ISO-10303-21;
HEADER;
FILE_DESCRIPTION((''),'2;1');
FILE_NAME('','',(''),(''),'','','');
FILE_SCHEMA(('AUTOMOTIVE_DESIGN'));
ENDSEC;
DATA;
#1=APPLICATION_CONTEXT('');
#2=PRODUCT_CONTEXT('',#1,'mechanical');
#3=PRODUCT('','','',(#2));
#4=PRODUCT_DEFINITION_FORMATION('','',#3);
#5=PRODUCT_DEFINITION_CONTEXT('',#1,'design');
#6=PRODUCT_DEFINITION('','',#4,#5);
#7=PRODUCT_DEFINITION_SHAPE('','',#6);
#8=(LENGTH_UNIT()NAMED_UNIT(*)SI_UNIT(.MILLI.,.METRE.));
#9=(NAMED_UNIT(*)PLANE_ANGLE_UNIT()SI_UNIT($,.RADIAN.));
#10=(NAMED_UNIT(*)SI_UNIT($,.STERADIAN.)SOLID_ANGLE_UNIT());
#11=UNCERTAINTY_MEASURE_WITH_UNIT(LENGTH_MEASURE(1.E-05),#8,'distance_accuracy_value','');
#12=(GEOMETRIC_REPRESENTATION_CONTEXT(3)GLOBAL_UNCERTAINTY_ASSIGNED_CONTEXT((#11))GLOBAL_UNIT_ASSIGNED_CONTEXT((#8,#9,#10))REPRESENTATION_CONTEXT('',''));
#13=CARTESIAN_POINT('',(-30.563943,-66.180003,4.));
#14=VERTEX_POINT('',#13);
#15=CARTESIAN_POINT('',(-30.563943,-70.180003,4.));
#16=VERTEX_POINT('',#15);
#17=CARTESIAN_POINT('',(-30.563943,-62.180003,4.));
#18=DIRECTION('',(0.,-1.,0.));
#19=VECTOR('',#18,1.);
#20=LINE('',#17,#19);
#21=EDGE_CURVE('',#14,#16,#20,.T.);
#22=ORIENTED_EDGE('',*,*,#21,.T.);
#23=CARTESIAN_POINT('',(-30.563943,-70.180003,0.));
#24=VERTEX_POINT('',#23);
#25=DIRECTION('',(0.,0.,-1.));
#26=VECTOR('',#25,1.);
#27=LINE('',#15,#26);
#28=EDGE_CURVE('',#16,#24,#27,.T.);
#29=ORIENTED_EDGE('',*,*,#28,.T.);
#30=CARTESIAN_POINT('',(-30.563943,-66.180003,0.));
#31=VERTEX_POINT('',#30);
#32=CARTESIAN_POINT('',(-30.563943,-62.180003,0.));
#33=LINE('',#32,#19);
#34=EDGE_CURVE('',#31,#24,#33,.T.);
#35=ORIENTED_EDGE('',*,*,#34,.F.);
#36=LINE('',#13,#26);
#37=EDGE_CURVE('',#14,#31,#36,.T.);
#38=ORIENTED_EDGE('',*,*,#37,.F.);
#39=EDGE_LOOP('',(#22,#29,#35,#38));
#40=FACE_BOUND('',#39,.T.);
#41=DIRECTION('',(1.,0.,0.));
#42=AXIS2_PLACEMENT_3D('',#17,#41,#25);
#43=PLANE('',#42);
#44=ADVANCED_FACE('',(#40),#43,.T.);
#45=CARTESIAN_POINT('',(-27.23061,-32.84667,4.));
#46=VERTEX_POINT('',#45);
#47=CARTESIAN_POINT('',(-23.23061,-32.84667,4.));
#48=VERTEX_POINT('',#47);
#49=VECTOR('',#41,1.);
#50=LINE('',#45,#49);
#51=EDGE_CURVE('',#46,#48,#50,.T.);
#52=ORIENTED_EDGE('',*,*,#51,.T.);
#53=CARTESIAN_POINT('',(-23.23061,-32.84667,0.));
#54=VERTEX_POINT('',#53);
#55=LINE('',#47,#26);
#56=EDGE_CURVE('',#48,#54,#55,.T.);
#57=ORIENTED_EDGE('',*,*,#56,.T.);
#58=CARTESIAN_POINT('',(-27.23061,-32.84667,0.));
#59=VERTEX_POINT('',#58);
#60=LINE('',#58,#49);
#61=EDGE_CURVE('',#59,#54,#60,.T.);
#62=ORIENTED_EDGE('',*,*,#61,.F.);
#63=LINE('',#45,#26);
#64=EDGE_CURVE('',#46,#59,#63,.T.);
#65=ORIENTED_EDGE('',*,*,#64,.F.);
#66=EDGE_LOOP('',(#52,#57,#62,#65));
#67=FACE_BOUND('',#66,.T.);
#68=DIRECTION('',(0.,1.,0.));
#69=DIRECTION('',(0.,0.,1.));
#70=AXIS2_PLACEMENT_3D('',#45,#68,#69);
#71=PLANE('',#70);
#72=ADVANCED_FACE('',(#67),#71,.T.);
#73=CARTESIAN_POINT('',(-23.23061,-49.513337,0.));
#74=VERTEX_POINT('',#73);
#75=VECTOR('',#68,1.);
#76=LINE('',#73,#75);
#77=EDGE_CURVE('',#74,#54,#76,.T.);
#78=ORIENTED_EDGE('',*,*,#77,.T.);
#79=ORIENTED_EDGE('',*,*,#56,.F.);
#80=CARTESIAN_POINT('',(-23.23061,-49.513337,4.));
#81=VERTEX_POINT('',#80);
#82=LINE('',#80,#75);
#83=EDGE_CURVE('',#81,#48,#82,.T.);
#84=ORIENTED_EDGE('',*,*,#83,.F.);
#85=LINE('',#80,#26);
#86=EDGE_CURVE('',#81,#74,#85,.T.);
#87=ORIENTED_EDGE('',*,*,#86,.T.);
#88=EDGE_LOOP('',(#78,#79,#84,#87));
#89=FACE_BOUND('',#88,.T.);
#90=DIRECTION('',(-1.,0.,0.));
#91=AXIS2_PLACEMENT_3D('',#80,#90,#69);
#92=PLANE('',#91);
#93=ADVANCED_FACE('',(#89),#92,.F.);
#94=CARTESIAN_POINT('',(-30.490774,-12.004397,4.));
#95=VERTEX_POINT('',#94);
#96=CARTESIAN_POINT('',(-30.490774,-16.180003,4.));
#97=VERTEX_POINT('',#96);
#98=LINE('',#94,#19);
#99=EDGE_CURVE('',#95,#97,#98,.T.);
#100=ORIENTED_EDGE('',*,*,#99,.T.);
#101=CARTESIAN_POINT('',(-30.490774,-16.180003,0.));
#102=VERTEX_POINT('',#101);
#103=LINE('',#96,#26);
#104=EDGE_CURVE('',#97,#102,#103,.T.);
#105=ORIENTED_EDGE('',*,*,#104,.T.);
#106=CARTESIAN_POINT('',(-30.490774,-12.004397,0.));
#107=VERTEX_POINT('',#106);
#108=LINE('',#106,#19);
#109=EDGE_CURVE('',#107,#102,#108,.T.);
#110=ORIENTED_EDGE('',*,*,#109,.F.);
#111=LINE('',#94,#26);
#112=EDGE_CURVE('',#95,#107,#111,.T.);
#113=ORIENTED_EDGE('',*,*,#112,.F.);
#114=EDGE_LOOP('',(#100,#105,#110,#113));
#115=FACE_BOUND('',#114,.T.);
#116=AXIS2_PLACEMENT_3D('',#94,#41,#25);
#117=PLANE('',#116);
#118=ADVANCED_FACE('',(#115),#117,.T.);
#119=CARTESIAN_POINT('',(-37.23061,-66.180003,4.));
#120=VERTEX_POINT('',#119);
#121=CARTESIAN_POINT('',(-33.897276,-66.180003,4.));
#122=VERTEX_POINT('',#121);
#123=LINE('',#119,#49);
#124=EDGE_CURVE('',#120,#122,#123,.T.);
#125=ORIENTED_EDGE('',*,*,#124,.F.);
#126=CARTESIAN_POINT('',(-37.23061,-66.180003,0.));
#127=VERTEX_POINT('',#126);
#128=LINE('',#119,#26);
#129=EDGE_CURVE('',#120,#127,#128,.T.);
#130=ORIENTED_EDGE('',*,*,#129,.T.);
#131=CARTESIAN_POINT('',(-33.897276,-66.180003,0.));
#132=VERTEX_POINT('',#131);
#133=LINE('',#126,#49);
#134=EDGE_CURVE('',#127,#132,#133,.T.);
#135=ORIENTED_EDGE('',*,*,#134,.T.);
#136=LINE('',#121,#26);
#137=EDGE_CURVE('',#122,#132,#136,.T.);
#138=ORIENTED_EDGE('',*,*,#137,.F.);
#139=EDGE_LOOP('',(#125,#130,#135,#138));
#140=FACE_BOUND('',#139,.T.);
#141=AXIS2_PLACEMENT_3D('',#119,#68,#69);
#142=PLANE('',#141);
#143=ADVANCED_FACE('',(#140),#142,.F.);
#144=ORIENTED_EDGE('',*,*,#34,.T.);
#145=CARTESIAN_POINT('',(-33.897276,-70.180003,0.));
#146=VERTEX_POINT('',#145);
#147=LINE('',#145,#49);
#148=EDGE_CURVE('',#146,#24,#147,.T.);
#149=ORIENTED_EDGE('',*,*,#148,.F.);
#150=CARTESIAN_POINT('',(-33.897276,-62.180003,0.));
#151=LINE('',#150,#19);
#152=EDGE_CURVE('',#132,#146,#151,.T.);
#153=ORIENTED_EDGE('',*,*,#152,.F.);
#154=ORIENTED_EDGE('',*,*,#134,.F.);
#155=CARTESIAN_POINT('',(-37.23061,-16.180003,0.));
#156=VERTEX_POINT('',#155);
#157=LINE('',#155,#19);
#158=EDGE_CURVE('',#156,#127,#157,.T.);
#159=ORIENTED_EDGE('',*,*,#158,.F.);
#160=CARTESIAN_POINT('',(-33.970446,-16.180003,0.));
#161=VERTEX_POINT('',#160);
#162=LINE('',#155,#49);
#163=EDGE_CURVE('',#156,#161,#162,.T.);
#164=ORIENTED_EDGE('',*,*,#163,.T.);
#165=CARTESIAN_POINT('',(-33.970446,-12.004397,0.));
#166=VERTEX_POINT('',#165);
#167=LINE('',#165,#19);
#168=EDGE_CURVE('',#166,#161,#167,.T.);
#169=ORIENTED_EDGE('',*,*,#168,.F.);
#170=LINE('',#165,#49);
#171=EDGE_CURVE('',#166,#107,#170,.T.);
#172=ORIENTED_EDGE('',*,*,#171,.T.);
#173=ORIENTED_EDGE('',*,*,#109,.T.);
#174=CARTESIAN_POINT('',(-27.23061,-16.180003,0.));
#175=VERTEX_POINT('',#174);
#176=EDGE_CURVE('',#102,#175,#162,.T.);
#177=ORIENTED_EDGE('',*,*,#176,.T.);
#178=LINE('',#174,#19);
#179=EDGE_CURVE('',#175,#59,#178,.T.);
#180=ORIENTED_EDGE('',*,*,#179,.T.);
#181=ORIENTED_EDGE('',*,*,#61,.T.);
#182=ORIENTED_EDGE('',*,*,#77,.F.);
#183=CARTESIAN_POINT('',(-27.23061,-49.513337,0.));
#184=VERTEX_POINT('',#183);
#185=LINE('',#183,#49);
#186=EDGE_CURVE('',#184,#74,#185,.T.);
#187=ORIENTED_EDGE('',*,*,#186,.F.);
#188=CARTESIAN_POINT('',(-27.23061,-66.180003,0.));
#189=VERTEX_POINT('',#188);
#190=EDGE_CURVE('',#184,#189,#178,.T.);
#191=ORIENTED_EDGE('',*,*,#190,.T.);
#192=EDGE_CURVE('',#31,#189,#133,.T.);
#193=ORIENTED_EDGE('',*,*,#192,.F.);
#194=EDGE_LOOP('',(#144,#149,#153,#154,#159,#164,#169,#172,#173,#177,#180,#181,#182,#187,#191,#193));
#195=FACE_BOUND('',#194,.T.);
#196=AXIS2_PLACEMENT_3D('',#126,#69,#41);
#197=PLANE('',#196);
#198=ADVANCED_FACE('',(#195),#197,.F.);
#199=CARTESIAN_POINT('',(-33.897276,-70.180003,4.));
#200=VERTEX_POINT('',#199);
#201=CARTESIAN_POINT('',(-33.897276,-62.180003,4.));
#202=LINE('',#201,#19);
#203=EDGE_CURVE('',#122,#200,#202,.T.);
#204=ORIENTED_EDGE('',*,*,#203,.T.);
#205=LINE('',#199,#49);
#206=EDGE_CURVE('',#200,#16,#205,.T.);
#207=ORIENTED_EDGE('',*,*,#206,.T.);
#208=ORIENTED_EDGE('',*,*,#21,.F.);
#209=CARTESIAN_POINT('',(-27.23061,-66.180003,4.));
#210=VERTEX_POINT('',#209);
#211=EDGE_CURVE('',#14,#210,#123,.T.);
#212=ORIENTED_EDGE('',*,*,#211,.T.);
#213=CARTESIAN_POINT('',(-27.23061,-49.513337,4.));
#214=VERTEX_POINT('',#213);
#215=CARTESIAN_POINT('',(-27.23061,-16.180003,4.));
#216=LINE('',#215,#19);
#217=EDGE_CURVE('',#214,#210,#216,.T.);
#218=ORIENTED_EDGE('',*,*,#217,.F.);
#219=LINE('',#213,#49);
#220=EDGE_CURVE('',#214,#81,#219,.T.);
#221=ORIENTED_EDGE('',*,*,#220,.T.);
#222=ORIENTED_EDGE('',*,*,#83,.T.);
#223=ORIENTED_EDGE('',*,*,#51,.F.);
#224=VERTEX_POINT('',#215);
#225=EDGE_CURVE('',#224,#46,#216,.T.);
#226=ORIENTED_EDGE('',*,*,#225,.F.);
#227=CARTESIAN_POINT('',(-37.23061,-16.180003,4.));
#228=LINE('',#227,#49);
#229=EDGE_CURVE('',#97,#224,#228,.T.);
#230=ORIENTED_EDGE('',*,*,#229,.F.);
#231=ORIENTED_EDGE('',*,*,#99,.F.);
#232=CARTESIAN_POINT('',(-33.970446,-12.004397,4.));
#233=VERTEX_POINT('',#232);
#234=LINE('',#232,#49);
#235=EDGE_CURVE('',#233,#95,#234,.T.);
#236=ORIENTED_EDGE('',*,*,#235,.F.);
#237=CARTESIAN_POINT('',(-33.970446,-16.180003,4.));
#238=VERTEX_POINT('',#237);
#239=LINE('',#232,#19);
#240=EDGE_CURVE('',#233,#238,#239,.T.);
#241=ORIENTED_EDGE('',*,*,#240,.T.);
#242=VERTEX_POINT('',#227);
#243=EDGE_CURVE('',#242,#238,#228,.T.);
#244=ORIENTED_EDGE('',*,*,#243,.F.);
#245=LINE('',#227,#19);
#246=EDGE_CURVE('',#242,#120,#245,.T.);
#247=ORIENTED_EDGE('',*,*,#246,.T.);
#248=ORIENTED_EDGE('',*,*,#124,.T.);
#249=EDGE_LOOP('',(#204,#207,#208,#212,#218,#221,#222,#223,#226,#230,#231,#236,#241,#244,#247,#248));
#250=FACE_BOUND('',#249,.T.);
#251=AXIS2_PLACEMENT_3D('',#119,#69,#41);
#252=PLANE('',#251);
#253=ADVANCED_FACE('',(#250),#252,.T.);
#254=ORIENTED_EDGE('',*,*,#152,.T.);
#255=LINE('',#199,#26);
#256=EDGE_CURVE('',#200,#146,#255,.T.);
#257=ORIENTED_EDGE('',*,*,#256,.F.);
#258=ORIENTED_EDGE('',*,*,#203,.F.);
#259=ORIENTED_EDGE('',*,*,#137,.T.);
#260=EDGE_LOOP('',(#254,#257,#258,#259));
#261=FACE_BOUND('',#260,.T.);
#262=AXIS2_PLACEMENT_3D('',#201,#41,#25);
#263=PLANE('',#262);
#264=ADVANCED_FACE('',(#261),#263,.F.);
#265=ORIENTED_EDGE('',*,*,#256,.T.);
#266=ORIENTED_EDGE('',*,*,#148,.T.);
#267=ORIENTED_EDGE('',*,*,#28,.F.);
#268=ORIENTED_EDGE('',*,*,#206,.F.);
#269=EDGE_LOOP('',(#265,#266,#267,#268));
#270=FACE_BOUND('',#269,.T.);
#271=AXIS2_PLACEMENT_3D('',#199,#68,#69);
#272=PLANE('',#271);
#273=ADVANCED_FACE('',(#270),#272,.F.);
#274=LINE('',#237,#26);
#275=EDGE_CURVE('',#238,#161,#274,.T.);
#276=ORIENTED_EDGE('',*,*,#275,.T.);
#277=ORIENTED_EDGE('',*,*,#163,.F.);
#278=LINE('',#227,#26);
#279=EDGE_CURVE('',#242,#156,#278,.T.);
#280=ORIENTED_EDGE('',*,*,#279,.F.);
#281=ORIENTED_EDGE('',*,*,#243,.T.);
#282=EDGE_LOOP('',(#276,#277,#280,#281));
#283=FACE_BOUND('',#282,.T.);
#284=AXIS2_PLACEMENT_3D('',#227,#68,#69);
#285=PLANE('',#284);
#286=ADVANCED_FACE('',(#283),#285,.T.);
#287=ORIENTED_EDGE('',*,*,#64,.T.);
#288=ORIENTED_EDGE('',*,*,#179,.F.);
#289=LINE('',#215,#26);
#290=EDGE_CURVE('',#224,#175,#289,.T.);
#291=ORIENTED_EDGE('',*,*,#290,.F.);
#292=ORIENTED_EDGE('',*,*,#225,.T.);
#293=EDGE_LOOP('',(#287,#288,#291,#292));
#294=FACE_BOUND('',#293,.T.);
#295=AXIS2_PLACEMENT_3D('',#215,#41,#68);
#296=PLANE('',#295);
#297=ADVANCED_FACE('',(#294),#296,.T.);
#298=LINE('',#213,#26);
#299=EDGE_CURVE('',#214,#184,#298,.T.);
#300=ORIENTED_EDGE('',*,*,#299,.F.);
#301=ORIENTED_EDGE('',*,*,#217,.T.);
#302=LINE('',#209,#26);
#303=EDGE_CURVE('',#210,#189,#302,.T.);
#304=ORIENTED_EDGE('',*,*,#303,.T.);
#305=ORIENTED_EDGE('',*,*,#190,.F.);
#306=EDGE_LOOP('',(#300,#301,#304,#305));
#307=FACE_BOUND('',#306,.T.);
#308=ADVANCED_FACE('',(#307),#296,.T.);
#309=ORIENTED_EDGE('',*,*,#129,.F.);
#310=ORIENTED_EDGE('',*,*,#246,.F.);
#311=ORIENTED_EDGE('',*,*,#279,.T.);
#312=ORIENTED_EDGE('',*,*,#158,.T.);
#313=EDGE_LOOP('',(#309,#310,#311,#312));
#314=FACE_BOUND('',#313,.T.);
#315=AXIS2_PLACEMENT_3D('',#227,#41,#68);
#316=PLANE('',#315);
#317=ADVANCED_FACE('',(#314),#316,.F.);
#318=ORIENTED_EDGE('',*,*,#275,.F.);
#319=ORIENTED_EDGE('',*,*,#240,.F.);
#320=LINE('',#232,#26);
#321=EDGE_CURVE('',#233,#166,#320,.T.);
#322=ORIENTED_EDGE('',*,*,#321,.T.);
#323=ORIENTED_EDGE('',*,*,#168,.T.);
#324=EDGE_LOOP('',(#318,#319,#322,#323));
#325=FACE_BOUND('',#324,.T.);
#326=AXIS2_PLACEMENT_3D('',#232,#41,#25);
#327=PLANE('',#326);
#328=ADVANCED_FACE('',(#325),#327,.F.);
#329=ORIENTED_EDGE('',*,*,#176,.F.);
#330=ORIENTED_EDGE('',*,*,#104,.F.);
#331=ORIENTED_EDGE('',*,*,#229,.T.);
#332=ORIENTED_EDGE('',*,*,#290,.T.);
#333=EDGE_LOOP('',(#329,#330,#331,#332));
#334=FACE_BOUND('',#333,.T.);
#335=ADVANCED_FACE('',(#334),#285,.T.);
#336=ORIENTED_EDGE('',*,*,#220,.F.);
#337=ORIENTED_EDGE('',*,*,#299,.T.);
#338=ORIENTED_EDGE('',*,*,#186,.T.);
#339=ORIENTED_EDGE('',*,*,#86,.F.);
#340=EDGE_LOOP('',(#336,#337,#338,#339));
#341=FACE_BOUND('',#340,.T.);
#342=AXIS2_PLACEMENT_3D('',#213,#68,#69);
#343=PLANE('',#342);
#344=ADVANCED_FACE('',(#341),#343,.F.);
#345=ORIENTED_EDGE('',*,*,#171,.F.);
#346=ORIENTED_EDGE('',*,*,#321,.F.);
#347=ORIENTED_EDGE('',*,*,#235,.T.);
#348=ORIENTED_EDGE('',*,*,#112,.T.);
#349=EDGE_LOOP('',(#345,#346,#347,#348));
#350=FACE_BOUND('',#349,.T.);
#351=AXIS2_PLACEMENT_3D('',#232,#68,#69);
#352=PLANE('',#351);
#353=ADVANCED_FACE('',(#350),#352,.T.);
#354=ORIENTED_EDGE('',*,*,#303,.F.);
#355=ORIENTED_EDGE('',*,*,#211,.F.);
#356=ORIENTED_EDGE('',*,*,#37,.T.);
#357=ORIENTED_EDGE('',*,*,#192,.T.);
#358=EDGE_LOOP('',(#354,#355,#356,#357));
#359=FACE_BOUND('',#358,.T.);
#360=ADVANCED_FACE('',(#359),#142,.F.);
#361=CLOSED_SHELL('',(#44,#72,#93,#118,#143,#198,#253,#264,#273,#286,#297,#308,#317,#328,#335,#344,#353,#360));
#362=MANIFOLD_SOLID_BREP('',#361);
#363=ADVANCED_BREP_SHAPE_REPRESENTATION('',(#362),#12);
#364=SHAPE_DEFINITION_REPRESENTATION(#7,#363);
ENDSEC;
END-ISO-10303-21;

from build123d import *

# Parameters (mm, degrees)
SKETCH1_W           = 3.479672362
SKETCH1_H           = 8.35121367
SKETCH1_W_2         = 10
SKETCH1_H_2         = 50
SKETCH1_W_3         = 3.333333334
SKETCH1_H_3         = 8
SKETCH1_W_4         = 4
SKETCH1_H_4         = 16.666666667
BOSS_EXTRUDE1_DEPTH = 4


with BuildPart() as part:
    # Sketch1 → Boss-Extrude1 (new body)
    with BuildSketch(Plane.XY):
        with Locations((-32.230609748, -16.180003411)):
            Rectangle(SKETCH1_W, SKETCH1_H)
        with Locations((-32.230609748, -41.180003411)):
            Rectangle(SKETCH1_W_2, SKETCH1_H_2)
        with Locations((-32.230609748, -66.180003411)):
            Rectangle(SKETCH1_W_3, SKETCH1_H_3)
        with Locations((-25.230609748, -41.18000341)):
            Rectangle(SKETCH1_W_4, SKETCH1_H_4)
    extrude(amount=BOSS_EXTRUDE1_DEPTH)


solid = part.part
